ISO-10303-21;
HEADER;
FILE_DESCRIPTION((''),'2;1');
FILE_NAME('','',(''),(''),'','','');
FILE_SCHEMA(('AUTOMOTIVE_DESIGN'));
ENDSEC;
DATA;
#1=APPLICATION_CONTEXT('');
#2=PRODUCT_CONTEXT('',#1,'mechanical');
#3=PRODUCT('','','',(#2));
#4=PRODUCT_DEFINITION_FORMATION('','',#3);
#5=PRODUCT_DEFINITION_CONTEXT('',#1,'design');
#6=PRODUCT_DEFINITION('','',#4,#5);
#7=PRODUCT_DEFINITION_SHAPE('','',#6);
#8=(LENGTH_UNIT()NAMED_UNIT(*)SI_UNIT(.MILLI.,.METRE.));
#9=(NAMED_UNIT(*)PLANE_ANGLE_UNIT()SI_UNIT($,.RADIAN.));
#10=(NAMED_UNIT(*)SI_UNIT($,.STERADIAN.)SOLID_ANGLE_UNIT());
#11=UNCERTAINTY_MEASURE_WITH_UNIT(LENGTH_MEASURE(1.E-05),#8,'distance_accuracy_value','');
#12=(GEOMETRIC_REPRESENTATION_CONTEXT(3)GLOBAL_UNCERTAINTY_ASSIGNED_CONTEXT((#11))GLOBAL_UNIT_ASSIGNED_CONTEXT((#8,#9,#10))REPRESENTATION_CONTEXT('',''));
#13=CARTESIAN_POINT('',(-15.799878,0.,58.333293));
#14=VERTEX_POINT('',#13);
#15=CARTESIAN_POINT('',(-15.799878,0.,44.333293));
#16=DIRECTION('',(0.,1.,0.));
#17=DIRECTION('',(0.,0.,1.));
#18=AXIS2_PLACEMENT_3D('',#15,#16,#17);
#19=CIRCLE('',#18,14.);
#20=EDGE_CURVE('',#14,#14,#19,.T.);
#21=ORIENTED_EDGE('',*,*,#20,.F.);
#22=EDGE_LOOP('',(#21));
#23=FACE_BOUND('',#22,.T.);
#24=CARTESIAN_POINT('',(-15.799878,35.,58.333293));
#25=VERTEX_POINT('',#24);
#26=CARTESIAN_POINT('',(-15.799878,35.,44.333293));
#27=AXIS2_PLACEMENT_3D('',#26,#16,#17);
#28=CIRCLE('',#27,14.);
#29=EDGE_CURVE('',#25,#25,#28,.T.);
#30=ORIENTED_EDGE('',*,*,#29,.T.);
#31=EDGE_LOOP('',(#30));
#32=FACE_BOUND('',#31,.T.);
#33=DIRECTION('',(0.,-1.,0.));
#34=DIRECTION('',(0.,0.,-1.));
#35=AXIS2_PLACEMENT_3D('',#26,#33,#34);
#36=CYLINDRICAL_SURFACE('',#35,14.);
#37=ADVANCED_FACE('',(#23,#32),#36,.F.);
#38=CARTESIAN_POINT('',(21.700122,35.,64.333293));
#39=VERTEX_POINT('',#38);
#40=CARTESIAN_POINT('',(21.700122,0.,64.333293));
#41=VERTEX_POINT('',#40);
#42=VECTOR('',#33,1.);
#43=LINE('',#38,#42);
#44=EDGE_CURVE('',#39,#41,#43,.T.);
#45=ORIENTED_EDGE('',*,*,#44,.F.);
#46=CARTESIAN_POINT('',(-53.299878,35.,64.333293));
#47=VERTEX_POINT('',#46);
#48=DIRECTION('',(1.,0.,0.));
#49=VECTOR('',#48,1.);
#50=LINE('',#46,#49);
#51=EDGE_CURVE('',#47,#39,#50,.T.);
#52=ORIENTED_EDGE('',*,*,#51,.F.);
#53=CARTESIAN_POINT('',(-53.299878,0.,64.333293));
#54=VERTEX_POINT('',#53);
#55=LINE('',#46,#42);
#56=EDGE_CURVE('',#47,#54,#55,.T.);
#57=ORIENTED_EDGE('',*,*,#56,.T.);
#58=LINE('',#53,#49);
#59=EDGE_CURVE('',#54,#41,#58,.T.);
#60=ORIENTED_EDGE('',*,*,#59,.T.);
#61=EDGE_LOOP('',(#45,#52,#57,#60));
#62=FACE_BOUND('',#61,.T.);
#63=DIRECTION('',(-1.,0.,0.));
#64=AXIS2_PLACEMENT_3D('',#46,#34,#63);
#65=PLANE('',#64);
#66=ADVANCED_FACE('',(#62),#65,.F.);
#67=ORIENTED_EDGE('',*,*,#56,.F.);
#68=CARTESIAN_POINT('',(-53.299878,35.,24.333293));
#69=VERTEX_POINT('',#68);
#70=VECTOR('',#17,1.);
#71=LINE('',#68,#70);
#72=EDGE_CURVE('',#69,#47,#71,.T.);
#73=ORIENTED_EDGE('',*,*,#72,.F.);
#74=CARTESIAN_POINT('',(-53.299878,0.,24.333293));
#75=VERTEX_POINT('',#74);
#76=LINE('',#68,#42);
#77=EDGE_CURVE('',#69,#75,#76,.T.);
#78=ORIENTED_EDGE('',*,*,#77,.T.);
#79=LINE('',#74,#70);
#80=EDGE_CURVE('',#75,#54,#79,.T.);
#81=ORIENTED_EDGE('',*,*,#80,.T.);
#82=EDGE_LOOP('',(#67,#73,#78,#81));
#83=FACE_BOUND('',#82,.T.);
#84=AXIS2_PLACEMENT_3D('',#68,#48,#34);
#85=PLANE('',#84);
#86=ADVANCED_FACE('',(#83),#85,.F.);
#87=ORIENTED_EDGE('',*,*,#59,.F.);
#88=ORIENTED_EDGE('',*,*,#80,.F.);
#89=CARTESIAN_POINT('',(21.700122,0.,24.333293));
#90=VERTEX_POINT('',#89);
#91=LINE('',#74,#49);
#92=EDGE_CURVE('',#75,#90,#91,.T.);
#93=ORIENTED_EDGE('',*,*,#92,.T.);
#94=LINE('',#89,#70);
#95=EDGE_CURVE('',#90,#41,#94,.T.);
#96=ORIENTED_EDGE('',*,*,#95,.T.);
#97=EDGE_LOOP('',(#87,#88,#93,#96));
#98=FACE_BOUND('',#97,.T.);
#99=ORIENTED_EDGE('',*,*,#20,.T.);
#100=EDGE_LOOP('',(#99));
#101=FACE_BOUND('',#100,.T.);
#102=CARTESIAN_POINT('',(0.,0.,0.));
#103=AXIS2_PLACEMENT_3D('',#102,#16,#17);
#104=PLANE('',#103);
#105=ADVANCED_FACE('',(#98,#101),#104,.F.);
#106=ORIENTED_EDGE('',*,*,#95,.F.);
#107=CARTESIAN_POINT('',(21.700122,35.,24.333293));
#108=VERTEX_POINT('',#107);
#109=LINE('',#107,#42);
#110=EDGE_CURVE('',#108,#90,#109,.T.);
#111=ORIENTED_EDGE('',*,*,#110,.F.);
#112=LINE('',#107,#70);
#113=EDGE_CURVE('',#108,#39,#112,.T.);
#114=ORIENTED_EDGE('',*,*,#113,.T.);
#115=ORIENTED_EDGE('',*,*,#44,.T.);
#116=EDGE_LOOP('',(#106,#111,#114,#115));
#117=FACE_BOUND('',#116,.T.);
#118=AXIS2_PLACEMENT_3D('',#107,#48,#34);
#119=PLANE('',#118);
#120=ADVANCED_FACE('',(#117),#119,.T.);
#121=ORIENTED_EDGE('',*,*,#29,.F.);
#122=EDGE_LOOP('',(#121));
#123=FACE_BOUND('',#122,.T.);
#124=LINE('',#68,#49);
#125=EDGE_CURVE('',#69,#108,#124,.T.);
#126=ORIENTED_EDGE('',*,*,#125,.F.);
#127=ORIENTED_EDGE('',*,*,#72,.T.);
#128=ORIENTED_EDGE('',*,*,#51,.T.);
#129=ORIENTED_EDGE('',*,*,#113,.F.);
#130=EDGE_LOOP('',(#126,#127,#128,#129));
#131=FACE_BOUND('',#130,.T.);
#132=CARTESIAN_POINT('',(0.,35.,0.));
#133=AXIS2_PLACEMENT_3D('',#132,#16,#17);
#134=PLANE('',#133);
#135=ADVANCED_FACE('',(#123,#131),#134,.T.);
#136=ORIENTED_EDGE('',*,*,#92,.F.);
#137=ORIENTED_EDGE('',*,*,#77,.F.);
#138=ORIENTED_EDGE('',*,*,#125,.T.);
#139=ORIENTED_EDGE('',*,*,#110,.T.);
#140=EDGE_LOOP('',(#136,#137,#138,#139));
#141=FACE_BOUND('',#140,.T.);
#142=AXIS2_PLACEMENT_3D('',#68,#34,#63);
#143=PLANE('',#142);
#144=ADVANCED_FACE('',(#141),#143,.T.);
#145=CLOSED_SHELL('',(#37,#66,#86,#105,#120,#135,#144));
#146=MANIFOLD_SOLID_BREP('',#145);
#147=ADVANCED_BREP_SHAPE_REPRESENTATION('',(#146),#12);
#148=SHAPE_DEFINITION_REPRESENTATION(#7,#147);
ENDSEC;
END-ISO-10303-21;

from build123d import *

# Parameters (mm, degrees)
SKETCH1_W           = 75
SKETCH1_H           = 40
BOSS_EXTRUDE2_DEPTH = 35
SKETCH2_R           = 14
CUT_EXTRUDE3_DEPTH  = 35


with BuildPart() as part:
    # Sketch1 → Boss-Extrude2 (new body)
    with BuildSketch(Plane(origin=(0, 0, 0), x_dir=(1, 0, 0), z_dir=(0, 1, 0))):
        with Locations((-15.799878493, -44.333292831)):
            Rectangle(SKETCH1_W, SKETCH1_H)
    extrude(amount=BOSS_EXTRUDE2_DEPTH)

    # Sketch2 → Cut-Extrude3 (cut)
    with BuildSketch(Plane(origin=(0, 0, 0), x_dir=(1, 0, 0), z_dir=(0, 1, 0))):
        with Locations(Location((-15.799878493, -44.333292831, 0), (0, 0, 270))):
            Circle(SKETCH2_R)
    extrude(amount=CUT_EXTRUDE3_DEPTH, mode=Mode.SUBTRACT)


solid = part.part
